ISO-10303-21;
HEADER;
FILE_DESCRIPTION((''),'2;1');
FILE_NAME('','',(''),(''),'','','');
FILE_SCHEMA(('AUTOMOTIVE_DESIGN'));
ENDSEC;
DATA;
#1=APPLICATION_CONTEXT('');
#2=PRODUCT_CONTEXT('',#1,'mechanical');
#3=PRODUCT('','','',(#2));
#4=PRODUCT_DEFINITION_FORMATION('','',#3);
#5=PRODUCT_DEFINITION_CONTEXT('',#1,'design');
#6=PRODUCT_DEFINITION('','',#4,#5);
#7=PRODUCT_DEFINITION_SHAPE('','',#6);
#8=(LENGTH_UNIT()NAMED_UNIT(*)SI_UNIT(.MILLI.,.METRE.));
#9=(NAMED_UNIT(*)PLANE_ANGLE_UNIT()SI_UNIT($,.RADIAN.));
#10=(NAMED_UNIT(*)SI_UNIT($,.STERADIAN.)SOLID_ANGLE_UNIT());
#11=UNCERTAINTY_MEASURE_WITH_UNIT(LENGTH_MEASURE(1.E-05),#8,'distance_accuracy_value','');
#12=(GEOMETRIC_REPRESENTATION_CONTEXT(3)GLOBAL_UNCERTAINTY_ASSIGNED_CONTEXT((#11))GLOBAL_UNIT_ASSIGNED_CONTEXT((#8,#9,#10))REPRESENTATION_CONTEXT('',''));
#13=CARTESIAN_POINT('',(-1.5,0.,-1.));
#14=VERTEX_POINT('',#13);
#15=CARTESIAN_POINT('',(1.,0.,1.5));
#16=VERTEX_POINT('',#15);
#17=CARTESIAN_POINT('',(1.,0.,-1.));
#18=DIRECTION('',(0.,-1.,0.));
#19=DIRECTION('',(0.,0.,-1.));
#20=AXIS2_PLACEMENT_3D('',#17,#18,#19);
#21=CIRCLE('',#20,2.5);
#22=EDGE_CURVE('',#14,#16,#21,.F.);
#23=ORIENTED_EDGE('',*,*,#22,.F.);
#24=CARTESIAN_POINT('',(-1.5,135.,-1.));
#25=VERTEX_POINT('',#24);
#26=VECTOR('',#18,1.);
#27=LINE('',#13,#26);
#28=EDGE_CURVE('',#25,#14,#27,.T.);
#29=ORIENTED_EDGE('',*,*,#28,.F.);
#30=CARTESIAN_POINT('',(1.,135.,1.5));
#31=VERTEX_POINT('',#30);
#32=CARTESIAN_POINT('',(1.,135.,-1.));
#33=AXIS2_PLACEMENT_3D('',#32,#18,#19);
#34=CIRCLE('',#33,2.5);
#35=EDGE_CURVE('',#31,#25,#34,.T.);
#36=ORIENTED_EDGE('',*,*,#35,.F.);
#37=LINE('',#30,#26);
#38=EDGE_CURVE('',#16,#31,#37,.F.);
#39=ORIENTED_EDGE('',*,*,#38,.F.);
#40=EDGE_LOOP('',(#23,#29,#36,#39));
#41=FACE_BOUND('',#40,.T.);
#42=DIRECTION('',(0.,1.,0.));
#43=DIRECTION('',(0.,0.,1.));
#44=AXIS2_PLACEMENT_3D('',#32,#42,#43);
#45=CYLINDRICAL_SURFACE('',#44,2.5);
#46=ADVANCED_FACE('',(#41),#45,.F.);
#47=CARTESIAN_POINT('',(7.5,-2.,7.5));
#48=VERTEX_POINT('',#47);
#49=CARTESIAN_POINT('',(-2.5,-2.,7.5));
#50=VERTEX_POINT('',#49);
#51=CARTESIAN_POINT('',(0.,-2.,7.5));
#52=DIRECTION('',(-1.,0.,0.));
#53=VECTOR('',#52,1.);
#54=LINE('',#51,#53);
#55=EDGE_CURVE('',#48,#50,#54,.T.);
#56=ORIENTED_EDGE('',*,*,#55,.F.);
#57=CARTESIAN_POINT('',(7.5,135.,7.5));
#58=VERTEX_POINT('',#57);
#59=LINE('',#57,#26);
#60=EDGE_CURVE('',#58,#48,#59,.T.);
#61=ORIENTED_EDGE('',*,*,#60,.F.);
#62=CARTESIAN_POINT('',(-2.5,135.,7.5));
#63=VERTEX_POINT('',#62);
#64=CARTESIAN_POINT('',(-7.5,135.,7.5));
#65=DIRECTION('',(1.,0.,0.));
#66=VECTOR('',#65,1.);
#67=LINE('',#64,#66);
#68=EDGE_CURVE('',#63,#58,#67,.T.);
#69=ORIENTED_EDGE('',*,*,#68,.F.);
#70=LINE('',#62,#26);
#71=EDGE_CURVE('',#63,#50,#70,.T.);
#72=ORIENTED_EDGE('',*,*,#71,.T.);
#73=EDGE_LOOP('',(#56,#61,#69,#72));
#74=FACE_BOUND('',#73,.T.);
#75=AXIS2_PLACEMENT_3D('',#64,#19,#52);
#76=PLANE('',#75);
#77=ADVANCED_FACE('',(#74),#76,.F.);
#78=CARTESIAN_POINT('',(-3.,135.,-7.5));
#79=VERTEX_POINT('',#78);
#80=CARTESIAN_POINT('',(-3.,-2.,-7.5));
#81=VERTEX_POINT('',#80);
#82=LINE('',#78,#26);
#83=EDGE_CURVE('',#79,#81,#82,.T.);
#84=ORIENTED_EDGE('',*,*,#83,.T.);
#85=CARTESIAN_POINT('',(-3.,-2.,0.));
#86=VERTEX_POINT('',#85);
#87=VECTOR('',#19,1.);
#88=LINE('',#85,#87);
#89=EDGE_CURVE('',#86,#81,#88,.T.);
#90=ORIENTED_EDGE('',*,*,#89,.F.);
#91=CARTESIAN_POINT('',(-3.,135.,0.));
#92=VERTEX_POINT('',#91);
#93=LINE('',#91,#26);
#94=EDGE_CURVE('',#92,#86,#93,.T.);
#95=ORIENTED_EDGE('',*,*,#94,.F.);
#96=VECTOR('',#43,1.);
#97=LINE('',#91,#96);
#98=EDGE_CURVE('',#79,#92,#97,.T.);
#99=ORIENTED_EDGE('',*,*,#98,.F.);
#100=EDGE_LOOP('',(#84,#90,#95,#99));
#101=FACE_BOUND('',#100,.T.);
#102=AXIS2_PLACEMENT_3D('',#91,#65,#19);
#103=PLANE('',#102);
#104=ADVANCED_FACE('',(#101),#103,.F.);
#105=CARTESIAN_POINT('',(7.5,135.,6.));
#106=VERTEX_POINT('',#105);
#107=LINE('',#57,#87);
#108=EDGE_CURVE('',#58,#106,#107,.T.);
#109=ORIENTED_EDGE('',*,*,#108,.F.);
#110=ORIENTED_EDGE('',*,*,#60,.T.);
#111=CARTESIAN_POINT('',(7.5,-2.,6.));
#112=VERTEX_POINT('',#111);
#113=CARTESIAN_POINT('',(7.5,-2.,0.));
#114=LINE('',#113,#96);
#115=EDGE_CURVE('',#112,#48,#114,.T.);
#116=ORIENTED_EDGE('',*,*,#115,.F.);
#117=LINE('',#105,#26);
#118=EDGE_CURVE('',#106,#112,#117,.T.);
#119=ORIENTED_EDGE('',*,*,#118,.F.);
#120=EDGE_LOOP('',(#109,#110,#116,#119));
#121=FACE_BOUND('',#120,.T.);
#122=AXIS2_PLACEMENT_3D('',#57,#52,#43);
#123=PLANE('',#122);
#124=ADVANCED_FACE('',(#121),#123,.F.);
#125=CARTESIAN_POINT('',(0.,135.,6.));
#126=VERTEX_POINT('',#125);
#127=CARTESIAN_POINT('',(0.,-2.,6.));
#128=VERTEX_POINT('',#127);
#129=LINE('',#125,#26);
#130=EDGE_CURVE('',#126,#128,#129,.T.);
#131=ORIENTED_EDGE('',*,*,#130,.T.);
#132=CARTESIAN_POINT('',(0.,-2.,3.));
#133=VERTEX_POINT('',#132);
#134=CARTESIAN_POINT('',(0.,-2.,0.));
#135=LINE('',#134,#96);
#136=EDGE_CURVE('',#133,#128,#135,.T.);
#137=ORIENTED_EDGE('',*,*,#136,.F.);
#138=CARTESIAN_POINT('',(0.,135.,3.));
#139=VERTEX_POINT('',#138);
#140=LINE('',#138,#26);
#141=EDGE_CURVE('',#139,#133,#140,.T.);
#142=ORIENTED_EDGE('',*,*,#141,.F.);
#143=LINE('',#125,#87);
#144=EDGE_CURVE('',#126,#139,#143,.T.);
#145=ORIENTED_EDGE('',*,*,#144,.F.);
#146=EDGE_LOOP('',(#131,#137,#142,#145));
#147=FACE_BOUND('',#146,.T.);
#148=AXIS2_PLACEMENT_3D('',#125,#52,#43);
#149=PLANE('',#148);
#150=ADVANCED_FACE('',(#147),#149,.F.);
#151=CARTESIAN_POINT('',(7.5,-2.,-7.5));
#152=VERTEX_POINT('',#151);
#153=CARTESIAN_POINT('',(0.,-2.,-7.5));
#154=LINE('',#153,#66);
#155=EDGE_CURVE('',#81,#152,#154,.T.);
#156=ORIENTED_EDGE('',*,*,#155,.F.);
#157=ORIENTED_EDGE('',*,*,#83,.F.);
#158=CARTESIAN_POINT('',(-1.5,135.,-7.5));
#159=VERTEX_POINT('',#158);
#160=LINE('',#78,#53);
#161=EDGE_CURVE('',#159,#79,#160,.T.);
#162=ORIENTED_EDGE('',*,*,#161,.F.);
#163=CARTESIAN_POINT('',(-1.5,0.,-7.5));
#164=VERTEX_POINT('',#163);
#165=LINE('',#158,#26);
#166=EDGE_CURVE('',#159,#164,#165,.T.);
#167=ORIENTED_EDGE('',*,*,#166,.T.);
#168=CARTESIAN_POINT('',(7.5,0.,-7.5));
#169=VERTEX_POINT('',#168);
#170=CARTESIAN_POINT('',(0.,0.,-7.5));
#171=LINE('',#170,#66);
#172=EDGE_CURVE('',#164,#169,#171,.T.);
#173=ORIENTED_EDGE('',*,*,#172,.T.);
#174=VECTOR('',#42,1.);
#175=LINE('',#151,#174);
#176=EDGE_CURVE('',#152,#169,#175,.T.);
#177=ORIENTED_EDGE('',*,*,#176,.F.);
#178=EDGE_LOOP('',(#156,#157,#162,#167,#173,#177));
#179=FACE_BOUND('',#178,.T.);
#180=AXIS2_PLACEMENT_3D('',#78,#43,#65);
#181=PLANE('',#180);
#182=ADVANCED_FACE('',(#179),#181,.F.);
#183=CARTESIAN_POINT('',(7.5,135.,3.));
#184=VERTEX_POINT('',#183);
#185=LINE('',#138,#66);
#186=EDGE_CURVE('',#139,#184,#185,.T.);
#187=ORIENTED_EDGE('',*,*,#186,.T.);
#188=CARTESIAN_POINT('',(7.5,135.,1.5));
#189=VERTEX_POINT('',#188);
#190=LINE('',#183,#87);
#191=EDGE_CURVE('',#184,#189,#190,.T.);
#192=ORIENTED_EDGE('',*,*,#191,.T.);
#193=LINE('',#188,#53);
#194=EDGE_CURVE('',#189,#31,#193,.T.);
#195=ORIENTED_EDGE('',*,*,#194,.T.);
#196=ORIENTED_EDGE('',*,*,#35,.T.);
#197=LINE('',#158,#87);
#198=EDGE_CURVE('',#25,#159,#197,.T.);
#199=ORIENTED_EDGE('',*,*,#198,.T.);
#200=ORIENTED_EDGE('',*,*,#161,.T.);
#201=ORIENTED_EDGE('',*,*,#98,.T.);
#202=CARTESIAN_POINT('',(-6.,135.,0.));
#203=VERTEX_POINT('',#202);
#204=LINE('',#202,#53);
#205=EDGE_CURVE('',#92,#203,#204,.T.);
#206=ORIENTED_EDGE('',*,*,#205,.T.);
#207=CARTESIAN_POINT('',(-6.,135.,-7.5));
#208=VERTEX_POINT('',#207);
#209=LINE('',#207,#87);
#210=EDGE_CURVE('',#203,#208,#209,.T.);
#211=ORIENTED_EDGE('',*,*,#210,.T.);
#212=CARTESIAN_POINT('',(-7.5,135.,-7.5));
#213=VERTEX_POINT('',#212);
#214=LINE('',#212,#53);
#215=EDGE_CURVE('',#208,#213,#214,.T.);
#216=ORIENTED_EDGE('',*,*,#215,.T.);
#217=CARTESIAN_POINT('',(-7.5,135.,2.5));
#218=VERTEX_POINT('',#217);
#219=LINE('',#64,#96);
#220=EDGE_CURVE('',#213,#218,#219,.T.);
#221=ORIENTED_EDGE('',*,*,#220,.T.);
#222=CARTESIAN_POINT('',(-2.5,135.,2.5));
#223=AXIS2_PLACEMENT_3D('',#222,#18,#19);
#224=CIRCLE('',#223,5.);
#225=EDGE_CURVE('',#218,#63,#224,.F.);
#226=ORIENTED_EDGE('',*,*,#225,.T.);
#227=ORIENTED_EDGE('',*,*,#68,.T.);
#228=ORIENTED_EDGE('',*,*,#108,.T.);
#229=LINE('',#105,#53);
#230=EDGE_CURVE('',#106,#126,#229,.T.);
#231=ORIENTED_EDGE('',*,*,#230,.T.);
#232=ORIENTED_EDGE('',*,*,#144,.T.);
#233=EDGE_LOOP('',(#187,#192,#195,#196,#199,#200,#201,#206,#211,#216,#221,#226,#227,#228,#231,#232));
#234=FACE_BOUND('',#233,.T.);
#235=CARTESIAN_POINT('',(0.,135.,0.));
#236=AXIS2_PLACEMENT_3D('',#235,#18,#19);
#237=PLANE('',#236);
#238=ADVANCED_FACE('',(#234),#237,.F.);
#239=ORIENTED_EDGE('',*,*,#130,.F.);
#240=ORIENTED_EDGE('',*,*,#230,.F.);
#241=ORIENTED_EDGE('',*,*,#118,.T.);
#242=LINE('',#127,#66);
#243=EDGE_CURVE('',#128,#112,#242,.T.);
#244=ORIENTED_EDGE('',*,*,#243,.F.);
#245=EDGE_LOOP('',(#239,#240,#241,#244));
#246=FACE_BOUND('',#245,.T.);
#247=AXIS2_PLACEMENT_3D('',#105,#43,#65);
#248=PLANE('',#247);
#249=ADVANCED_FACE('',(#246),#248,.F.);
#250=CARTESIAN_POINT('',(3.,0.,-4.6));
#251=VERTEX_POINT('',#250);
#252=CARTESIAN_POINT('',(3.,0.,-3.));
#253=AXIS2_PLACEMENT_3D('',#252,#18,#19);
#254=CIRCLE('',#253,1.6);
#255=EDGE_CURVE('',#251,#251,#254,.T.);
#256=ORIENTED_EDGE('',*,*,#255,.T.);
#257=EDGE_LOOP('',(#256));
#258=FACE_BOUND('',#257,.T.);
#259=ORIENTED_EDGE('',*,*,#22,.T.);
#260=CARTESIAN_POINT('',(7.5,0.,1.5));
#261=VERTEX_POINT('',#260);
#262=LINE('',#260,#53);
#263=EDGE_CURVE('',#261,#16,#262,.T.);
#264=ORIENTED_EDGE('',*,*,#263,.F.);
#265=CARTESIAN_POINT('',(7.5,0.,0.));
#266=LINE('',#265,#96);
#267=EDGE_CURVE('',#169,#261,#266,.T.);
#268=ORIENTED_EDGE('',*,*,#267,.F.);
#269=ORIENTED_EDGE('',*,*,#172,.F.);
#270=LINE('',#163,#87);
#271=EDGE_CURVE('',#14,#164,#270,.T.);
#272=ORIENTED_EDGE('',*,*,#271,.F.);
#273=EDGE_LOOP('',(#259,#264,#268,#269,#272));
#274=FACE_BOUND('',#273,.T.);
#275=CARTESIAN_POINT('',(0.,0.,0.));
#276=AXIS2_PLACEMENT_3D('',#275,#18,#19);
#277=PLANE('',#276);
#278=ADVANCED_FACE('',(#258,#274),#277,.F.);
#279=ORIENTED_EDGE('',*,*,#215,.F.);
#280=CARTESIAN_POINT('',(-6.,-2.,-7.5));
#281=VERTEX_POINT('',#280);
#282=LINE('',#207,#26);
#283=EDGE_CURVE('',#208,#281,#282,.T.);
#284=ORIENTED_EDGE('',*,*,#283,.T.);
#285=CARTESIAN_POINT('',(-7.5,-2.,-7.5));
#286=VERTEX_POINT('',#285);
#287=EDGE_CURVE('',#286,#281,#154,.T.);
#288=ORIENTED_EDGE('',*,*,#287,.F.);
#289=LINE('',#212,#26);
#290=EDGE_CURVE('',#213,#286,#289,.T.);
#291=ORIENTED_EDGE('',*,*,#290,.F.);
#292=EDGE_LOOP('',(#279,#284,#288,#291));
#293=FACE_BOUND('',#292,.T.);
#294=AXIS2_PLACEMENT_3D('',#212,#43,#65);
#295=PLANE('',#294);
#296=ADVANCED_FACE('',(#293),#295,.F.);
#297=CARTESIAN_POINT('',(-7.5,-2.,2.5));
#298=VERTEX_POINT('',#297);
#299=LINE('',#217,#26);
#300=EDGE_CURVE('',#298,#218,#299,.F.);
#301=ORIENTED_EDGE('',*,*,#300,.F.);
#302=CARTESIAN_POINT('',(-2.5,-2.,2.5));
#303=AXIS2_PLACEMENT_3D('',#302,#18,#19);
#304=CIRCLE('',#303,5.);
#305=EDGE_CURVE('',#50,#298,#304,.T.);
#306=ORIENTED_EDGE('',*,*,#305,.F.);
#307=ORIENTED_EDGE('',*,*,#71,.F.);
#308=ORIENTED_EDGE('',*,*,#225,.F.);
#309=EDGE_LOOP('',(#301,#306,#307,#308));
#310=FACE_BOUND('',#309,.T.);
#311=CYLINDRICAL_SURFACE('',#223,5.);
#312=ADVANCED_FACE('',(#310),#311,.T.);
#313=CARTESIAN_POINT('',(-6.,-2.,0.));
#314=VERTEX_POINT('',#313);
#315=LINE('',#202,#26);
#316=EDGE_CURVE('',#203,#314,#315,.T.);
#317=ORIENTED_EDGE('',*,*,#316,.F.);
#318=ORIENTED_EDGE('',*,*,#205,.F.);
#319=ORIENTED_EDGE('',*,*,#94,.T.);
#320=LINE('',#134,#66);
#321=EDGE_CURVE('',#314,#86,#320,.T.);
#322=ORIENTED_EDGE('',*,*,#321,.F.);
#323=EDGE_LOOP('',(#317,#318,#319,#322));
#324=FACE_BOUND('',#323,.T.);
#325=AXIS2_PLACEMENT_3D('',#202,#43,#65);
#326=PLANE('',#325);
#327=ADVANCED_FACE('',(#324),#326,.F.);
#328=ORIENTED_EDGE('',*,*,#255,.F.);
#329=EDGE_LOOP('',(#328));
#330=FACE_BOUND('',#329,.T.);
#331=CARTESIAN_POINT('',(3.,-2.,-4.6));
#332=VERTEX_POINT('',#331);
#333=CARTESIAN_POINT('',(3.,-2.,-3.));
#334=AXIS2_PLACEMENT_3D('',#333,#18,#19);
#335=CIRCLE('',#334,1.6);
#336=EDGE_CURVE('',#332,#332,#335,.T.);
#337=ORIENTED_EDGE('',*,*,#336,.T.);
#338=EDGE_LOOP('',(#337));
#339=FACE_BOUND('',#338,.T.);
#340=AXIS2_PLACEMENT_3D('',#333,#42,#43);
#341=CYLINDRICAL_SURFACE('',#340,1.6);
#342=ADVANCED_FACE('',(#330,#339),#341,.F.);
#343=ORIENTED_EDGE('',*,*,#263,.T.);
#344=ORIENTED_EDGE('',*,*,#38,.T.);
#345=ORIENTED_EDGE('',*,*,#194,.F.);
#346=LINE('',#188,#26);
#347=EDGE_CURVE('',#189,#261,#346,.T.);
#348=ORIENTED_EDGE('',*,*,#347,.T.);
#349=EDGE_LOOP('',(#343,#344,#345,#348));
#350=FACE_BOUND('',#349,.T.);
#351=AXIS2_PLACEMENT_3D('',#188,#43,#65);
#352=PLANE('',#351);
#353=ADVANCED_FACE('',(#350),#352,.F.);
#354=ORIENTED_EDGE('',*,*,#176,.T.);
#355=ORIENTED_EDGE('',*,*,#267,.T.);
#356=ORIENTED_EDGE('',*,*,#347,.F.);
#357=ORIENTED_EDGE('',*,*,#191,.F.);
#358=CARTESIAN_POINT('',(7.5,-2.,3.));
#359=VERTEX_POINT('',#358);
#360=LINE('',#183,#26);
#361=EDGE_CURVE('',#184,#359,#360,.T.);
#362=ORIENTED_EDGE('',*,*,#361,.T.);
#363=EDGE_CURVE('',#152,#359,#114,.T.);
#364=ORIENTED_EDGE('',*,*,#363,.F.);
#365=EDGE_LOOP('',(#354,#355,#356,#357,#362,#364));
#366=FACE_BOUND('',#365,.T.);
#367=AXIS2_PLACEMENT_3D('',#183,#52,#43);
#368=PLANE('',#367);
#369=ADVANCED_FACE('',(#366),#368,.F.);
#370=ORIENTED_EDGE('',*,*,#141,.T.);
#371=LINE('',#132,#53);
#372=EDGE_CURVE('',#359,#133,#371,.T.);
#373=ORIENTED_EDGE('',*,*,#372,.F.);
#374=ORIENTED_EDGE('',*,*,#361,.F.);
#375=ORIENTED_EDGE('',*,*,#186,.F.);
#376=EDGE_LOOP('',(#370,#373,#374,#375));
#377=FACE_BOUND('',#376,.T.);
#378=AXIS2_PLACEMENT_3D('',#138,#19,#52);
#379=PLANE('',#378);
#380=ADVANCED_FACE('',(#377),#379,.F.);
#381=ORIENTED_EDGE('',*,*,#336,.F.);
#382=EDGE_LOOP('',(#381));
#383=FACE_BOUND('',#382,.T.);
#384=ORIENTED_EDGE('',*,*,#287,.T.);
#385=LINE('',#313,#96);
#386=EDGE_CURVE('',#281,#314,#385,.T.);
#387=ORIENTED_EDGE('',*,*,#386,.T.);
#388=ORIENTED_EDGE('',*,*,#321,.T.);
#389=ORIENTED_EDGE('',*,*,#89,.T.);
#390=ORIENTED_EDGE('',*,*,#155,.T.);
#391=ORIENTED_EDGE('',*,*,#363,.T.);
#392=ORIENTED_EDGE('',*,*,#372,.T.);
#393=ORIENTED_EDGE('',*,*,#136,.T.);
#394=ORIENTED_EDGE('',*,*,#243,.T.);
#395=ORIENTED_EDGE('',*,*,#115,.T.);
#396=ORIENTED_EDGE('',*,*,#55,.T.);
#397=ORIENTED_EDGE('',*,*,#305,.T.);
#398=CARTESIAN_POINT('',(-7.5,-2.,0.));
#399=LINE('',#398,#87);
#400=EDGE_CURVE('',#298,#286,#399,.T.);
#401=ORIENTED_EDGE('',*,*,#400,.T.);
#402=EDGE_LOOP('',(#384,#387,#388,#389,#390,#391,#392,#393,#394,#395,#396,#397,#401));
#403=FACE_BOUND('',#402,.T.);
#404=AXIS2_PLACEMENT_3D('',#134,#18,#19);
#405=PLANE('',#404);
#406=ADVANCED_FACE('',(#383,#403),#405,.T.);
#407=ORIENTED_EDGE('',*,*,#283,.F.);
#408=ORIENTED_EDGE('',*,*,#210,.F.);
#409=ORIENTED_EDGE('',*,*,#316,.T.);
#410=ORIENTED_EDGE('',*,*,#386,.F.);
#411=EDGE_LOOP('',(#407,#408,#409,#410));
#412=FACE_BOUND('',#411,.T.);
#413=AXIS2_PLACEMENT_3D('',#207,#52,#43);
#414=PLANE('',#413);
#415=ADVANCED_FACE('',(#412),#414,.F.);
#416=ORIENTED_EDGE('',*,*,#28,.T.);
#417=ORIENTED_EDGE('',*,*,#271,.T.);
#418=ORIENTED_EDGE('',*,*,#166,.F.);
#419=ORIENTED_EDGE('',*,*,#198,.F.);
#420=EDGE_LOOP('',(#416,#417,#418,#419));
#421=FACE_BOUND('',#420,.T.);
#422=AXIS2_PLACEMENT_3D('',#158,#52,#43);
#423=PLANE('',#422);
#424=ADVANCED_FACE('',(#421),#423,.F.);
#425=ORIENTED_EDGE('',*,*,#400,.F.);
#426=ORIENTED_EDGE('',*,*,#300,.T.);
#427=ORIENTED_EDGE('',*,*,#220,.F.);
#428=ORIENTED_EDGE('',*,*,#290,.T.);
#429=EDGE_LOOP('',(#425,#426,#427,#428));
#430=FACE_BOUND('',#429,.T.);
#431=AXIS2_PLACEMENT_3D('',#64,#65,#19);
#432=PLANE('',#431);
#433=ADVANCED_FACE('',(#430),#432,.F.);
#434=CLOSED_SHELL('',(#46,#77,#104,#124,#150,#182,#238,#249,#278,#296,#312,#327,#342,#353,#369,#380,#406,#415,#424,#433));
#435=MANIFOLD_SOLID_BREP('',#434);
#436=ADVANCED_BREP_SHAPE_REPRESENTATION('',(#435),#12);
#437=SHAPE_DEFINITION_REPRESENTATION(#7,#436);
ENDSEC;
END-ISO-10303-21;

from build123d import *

# Parameters (mm, degrees)
BOSS_EXTRUDE1_DEPTH = 135
SKETCH6_R           = 1.6
BOSS_EXTRUDE2_DEPTH = 2
FILLET3_R           = 5
FILLET4_R           = 2.5


with BuildPart() as part:
    # Sketch4 → Boss-Extrude1 (new body)
    with BuildSketch(Plane(origin=(0, 0, 0), x_dir=(1, 0, 0), z_dir=(0, 1, 0))):
        Polygon((-7.5, -7.5), (7.5, -7.5), (7.5, -6), (0, -6), (0, -3), (7.5, -3), (7.5, -1.5), (-1.5, -1.5), (-1.5, 7.5), (-3, 7.5), (-3, 0), (-6, 0), (-6, 7.5), (-7.5, 7.5), align=None)
    extrude(amount=BOSS_EXTRUDE1_DEPTH)

    # Sketch6 → Boss-Extrude2 (add)
    with BuildSketch(Plane.XZ):
        Polygon((7.5, 7.5), (-7.5, 7.5), (-7.5, -7.5), (-6, -7.5), (-6, 0), (-3, 0), (-3, -7.5), (-1.5, -7.5), (7.5, -7.5), (7.5, 1.5), (7.5, 3), (0, 3), (0, 6), (7.5, 6), align=None)
        with Locations((3, -3)):
            Circle(SKETCH6_R, mode=Mode.SUBTRACT)
    extrude(amount=BOSS_EXTRUDE2_DEPTH)

    # Fillet3
    fillet3_edges = [part.edges().sort_by_distance(p)[0] for p in [
        (-7.5, 66.5, 7.5),
    ]]
    fillet(fillet3_edges, radius=FILLET3_R)

    # Fillet4
    fillet4_edges = [part.edges().sort_by_distance(p)[0] for p in [
        (-1.5, 67.5, 1.5),
    ]]
    fillet(fillet4_edges, radius=FILLET4_R)


solid = part.part
